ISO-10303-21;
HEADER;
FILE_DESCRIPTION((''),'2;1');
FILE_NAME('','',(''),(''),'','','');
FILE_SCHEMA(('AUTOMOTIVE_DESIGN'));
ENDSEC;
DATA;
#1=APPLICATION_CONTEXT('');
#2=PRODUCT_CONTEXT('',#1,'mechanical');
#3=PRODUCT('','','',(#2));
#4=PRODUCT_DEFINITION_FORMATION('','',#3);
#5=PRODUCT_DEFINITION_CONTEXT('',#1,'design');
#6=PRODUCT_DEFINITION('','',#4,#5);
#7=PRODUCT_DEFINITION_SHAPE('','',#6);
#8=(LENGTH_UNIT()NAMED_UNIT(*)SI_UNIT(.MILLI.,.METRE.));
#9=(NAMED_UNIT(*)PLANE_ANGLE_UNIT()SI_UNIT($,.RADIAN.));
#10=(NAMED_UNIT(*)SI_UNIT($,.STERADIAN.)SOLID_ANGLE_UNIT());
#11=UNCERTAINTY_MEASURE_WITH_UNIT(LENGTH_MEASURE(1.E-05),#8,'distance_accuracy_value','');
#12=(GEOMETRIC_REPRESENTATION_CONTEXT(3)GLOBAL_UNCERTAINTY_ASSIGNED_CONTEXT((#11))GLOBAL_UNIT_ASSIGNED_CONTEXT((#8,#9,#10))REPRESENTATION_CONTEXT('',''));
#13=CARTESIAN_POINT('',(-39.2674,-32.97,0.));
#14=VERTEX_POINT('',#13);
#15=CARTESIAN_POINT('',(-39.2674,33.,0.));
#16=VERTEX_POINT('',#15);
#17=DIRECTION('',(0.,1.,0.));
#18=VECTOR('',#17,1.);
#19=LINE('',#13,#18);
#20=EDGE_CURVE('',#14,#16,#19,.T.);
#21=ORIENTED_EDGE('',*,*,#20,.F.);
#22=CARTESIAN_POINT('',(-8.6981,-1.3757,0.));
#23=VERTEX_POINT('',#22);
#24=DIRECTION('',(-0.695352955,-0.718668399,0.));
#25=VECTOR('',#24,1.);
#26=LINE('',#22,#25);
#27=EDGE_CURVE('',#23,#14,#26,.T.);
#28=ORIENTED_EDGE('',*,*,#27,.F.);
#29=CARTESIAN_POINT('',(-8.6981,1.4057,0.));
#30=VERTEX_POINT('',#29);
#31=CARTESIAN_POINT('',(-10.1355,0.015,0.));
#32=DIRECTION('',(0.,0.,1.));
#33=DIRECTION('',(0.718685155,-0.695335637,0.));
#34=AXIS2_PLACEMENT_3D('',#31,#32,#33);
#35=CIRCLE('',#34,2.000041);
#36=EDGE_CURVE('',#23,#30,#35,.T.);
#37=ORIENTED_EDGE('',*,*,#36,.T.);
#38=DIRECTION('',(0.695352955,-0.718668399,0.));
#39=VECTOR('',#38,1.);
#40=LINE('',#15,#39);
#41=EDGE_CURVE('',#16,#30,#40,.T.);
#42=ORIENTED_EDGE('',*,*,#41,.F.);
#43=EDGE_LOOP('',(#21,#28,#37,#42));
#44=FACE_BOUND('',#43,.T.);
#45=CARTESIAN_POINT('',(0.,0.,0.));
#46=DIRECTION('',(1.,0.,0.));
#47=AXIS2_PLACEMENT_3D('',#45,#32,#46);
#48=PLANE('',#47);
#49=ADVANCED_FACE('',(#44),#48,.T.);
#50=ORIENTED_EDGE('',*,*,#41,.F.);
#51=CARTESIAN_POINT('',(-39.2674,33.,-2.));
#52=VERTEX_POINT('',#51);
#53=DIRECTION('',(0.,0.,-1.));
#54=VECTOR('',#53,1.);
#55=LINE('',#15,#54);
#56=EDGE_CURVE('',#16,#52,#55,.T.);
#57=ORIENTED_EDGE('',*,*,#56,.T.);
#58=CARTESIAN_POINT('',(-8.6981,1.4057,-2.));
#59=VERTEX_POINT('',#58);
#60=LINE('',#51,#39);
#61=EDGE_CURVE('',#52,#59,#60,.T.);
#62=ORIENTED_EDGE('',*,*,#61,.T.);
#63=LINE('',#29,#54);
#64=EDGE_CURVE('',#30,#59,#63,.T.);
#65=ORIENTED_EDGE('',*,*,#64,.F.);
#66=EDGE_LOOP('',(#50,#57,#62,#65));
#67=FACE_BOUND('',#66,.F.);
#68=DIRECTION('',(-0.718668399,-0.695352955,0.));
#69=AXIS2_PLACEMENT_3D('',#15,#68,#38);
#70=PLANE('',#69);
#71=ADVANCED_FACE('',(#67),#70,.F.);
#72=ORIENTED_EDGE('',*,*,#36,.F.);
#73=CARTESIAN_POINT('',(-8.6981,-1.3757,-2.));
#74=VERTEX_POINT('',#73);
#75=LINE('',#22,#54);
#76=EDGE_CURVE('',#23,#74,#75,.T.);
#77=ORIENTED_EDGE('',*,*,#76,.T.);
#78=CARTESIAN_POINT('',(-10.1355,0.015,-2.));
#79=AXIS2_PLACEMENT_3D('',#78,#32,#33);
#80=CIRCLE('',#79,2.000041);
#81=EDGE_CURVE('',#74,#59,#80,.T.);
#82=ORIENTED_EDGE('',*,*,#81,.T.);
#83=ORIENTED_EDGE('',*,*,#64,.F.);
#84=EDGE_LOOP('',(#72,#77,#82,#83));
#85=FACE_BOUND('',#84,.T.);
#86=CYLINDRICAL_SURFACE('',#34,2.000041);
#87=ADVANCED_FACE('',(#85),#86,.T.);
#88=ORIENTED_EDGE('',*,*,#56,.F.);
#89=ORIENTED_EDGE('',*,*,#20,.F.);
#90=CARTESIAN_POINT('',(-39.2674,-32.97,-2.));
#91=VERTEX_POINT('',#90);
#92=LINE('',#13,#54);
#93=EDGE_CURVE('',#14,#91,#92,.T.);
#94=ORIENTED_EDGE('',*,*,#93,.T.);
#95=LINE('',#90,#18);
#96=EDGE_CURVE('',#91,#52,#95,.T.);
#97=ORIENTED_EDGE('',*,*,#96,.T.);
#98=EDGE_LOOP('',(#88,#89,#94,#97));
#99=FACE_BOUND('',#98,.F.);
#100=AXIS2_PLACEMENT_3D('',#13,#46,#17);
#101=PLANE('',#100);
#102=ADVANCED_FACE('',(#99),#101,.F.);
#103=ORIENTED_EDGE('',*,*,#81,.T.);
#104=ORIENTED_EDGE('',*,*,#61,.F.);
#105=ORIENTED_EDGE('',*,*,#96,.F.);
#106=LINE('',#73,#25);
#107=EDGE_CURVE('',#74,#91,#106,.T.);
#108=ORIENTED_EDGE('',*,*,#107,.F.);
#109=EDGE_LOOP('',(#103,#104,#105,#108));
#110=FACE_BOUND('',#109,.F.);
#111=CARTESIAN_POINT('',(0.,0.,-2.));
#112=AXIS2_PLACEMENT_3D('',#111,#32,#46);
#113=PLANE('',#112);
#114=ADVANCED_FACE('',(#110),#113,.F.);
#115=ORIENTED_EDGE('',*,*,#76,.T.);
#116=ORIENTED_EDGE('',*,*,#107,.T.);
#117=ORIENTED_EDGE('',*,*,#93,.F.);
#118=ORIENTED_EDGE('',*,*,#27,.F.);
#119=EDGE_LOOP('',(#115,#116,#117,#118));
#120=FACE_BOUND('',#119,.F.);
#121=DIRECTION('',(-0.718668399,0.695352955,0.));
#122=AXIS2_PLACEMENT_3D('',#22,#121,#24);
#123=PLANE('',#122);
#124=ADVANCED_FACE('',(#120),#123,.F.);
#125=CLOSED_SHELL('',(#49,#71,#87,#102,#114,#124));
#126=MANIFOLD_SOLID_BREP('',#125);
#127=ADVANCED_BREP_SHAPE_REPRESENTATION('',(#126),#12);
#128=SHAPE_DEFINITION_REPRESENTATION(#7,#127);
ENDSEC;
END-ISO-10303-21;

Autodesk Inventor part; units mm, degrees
ref_plane "YZ Plane" through (0, 0, 0) normal (1, 0, 0) x (0, 1, 0)
ref_plane "XZ Plane" through (0, 0, 0) normal (0, 1, 0) x (-1, 0, 0)
ref_plane "XY Plane" through (0, 0, 0) normal (0, 0, 1) x (1, 0, 0)
sketch "스케치1" plane through (0, 0, 0) normal (0, 0, 1) x (1, 0, 0)
  line L0 (-8.6981, -1.3757) -> (-39.2674, -32.97) projected
  line L1 (-39.2674, -32.97) -> (-39.2674, 33) projected
  arc A0 (-8.6981, -1.3757) -> (-8.6981, 1.4057) centre (-10.1355, 0.015) ccw projected
  line L2 (-39.2674, 33) -> (-8.6981, 1.4057)
  point P0 (0, 0)
  point P1 (-8.6981, 1.4057)
extrude "돌출1" add sketch "스케치1" against normal blind 2
properties part number "본체 창 2"
